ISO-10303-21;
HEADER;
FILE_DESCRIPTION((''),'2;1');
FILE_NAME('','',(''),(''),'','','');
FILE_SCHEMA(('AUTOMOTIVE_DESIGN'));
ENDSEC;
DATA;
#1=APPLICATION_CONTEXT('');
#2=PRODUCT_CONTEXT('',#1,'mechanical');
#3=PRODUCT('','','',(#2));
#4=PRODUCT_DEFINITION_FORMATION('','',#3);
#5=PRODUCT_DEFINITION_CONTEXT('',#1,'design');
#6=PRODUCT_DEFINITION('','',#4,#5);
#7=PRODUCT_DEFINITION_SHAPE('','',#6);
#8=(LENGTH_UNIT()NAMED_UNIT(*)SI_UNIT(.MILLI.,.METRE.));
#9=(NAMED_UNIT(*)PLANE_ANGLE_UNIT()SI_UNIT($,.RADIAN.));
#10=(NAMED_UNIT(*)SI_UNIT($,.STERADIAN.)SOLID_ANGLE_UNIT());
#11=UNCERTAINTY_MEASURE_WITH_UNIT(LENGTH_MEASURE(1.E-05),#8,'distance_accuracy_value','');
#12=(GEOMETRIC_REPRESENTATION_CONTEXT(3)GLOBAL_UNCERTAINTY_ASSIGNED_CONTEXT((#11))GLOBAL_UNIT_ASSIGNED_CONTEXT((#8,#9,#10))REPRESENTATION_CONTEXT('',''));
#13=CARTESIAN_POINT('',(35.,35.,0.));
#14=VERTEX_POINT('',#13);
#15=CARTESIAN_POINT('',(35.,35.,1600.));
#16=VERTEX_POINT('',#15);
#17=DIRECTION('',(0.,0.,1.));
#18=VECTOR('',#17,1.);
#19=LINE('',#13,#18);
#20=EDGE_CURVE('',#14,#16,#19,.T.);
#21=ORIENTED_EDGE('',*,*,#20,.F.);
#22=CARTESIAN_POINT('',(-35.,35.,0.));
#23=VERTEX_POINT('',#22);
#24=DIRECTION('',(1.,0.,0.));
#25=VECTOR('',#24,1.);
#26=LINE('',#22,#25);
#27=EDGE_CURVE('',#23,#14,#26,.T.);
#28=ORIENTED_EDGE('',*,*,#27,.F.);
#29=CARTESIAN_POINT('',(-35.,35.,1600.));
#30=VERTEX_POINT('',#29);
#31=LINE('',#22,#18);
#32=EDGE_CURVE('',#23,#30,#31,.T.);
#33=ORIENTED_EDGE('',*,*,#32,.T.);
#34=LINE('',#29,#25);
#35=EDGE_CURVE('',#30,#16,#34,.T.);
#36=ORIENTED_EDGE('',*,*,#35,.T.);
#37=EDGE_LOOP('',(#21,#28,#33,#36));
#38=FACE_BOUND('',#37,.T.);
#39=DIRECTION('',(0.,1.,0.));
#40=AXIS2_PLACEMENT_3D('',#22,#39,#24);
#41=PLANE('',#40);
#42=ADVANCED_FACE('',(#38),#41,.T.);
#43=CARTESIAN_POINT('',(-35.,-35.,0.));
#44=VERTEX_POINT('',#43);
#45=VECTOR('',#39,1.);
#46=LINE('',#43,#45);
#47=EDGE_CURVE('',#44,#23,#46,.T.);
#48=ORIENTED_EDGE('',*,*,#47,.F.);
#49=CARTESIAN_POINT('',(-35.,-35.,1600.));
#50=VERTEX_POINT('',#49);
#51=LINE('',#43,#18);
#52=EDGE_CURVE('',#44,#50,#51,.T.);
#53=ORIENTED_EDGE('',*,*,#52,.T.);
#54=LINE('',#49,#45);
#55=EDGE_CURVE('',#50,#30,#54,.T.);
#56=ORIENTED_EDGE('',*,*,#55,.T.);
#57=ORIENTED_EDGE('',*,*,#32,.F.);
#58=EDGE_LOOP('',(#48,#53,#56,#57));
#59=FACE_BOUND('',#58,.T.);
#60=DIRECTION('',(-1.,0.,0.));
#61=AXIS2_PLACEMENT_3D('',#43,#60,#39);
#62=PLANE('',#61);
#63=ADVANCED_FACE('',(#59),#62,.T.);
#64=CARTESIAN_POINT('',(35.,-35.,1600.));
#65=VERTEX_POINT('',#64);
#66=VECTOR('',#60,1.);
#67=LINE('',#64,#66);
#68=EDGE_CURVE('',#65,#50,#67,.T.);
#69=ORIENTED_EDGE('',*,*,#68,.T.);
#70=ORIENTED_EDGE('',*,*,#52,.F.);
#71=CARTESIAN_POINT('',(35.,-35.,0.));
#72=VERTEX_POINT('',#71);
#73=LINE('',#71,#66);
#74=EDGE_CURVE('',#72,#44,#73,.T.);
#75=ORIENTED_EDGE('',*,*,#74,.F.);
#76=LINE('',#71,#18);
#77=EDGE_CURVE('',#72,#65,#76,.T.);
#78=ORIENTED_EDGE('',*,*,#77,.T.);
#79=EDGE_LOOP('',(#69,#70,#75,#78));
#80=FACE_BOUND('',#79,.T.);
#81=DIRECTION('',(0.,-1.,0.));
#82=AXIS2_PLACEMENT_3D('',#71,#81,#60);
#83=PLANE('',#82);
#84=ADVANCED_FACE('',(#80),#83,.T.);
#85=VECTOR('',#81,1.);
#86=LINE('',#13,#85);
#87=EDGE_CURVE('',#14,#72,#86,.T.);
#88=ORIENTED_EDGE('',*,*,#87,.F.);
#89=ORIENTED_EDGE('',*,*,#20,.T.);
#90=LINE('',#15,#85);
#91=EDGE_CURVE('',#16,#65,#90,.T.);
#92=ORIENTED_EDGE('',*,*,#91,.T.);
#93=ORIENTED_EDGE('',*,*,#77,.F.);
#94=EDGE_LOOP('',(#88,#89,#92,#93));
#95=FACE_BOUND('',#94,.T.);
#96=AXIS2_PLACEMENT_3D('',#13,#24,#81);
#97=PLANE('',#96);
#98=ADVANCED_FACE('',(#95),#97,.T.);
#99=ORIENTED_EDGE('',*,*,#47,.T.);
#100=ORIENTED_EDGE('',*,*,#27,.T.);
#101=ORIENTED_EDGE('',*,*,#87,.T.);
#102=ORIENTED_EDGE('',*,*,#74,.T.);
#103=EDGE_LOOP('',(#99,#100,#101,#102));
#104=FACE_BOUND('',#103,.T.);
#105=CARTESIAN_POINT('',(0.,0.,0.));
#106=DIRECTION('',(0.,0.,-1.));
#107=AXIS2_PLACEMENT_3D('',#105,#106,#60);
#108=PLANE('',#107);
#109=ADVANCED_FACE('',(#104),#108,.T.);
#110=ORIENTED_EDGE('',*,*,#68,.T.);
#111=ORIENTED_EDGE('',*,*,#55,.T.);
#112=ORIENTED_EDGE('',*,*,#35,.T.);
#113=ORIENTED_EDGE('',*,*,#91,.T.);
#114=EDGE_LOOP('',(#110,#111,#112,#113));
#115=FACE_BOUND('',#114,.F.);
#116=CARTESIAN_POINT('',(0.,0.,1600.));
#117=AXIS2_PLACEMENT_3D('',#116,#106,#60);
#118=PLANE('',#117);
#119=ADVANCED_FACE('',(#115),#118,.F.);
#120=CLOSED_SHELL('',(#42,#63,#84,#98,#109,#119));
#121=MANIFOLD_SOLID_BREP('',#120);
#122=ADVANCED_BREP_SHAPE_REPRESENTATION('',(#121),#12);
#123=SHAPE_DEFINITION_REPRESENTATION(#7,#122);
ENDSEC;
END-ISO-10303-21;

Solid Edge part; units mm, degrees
sketch "Sketch1" plane through (0, 0, 0) normal (0, 0, -1) x (-1, 0, 0)
  line L0 (35, -35) -> (35, 35)
  line L1 (35, 35) -> (-35, 35)
  line L2 (-35, 35) -> (-35, -35)
  line L3 (-35, -35) -> (35, -35)
extrude "Protrusion1" add sketch "Sketch1" against normal blind 1600
properties material "Wood, Pine"
